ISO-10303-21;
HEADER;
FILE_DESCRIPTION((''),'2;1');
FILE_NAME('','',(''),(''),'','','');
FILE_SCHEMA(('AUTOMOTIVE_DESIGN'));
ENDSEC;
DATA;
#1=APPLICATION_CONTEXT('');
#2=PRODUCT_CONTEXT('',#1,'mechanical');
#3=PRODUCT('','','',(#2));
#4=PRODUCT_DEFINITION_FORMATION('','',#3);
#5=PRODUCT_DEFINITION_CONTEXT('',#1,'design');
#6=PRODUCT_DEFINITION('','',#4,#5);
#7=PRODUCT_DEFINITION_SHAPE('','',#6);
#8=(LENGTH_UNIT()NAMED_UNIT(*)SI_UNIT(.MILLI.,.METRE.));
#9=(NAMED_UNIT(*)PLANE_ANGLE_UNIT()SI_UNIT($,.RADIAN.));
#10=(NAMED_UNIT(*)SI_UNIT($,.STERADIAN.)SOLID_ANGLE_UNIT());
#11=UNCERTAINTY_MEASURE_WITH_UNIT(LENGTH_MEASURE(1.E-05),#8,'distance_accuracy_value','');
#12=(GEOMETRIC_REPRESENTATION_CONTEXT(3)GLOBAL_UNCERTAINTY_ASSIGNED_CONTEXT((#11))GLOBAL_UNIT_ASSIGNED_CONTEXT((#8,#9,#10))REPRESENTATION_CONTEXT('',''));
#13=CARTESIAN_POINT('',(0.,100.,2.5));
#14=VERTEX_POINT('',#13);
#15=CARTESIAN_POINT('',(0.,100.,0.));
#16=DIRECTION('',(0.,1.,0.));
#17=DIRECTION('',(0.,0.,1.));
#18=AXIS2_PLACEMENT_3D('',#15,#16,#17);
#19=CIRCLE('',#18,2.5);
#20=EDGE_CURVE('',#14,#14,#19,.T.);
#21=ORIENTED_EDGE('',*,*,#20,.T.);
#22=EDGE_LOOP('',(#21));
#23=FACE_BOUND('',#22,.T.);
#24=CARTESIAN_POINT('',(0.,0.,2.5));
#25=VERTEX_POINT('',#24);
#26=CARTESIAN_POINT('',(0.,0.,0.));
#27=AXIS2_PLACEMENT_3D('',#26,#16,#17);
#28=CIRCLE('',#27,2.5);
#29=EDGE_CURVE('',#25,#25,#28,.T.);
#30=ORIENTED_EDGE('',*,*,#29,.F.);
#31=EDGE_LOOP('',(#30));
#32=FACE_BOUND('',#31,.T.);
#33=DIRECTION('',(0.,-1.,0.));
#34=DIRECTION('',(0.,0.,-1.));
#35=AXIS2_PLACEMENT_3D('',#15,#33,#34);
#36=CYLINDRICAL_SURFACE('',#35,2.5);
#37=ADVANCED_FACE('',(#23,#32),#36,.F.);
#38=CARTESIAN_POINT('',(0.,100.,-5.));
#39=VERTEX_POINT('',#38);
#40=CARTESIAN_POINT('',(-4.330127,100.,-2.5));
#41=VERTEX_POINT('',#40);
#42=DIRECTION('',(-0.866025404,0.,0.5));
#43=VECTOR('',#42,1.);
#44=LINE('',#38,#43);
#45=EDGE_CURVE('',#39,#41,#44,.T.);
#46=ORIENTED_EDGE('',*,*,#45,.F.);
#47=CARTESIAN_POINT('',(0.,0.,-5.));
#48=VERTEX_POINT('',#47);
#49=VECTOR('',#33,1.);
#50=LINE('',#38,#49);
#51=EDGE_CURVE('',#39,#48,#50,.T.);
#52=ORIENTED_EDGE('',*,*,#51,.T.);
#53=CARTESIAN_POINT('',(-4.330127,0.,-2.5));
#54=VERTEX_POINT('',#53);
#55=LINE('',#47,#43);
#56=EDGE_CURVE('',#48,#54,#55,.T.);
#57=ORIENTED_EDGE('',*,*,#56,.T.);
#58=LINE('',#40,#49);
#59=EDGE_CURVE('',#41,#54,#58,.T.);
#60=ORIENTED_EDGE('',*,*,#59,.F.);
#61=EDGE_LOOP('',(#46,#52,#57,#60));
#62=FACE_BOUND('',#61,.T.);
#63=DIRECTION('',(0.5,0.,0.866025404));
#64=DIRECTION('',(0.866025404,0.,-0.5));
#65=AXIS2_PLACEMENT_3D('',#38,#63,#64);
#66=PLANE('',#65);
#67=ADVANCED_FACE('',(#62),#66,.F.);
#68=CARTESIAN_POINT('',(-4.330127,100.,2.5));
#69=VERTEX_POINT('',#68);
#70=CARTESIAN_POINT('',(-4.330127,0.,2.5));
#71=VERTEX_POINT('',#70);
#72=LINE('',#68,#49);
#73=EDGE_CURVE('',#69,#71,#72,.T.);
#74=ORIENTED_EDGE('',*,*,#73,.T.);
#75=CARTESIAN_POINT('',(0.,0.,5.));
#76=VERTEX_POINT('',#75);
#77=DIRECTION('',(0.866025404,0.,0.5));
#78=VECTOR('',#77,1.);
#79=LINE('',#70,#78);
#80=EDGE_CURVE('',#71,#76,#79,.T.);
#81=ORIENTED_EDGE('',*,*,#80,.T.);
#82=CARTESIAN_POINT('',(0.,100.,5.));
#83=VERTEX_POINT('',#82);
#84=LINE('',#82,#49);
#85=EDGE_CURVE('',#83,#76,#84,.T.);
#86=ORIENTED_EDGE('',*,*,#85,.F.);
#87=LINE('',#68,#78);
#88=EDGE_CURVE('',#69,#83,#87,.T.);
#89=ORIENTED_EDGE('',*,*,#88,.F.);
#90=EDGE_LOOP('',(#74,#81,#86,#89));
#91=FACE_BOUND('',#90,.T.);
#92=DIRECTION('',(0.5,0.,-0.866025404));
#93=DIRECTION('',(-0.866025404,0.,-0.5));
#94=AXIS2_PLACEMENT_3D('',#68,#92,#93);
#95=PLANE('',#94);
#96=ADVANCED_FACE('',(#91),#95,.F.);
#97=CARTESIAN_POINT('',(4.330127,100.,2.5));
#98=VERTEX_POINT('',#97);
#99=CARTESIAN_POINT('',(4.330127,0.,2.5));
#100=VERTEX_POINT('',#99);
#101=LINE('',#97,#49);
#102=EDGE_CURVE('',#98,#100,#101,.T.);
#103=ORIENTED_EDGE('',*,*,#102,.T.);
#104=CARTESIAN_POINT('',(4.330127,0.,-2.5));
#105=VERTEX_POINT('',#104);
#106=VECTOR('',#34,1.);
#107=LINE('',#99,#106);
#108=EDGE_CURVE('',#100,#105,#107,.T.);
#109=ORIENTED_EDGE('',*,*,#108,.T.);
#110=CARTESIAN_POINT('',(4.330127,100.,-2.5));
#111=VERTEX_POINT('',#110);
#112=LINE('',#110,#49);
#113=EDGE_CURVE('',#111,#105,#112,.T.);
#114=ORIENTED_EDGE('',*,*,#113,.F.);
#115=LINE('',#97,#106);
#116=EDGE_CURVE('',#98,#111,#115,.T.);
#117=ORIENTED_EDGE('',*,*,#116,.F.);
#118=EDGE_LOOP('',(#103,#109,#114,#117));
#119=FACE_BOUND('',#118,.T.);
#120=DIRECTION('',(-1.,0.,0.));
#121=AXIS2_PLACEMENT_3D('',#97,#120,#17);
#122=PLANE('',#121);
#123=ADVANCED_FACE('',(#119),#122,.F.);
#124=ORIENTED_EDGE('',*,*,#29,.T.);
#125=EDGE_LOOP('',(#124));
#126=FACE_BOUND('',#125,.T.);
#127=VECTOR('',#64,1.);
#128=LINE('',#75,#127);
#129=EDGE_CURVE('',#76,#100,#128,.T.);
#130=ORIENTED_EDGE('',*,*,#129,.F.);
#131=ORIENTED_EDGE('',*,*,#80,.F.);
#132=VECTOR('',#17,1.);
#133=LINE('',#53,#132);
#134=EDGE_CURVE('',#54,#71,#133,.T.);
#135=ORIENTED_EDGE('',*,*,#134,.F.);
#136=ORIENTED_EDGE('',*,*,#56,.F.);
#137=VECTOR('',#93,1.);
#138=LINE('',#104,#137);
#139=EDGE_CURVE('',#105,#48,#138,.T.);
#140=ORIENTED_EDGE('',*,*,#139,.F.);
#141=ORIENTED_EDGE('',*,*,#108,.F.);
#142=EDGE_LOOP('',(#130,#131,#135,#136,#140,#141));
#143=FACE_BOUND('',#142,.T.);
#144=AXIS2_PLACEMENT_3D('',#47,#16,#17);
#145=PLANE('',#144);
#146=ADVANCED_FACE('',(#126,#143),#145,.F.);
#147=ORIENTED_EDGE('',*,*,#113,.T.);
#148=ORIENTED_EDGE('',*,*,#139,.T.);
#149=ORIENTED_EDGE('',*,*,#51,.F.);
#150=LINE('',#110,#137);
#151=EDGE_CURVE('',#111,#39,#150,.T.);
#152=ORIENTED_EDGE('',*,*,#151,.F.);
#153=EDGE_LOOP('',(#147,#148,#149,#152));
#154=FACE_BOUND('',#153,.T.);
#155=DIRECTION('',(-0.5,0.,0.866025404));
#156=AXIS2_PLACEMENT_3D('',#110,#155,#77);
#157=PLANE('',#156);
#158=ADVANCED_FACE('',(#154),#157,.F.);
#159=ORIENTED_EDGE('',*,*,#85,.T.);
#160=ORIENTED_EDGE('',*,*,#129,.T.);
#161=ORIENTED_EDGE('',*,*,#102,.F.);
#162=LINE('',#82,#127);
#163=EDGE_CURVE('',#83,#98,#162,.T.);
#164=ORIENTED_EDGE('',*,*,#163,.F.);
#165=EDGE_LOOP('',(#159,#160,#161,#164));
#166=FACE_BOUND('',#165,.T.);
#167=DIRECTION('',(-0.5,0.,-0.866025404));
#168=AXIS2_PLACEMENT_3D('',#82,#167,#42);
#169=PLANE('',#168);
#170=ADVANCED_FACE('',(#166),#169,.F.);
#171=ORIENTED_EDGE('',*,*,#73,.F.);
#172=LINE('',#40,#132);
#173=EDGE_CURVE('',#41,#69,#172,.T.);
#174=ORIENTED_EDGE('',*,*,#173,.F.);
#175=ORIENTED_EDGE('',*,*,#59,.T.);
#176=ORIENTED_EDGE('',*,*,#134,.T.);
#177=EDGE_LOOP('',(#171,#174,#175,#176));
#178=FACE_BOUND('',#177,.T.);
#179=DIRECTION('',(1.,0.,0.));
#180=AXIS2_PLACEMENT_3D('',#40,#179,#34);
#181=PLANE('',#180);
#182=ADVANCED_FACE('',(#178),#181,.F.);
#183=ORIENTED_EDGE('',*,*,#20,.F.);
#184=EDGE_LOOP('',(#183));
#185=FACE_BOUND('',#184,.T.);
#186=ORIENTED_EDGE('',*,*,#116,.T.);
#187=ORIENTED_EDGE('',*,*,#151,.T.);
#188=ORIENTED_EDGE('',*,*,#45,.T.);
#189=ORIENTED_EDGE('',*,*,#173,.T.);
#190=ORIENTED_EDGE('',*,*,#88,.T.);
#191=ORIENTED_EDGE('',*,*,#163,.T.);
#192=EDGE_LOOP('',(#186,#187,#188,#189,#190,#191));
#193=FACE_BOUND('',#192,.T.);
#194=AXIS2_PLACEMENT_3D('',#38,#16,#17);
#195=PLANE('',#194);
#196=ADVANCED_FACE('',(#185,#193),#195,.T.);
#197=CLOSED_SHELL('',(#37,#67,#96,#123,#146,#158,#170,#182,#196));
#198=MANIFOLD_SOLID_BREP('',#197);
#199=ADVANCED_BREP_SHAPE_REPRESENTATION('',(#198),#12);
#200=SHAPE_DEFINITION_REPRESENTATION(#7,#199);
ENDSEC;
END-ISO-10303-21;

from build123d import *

# Parameters (mm, degrees)
ESQUISSE1_R      = 2.5
EXTRUSION1_DEPTH = 100


with BuildPart() as part:
    # Esquisse1 → Extrusion1 (new body)
    with BuildSketch(Plane(origin=(0, 0, 0), x_dir=(1, 0, 0), z_dir=(0, 1, 0))):
        Polygon((0, 5), (-4.330127019, 2.5), (-4.330127019, -2.5), (0, -5), (4.330127019, -2.5), (4.330127019, 2.5), align=None)
        Circle(ESQUISSE1_R, mode=Mode.SUBTRACT)
    extrude(amount=EXTRUSION1_DEPTH)


solid = part.part
